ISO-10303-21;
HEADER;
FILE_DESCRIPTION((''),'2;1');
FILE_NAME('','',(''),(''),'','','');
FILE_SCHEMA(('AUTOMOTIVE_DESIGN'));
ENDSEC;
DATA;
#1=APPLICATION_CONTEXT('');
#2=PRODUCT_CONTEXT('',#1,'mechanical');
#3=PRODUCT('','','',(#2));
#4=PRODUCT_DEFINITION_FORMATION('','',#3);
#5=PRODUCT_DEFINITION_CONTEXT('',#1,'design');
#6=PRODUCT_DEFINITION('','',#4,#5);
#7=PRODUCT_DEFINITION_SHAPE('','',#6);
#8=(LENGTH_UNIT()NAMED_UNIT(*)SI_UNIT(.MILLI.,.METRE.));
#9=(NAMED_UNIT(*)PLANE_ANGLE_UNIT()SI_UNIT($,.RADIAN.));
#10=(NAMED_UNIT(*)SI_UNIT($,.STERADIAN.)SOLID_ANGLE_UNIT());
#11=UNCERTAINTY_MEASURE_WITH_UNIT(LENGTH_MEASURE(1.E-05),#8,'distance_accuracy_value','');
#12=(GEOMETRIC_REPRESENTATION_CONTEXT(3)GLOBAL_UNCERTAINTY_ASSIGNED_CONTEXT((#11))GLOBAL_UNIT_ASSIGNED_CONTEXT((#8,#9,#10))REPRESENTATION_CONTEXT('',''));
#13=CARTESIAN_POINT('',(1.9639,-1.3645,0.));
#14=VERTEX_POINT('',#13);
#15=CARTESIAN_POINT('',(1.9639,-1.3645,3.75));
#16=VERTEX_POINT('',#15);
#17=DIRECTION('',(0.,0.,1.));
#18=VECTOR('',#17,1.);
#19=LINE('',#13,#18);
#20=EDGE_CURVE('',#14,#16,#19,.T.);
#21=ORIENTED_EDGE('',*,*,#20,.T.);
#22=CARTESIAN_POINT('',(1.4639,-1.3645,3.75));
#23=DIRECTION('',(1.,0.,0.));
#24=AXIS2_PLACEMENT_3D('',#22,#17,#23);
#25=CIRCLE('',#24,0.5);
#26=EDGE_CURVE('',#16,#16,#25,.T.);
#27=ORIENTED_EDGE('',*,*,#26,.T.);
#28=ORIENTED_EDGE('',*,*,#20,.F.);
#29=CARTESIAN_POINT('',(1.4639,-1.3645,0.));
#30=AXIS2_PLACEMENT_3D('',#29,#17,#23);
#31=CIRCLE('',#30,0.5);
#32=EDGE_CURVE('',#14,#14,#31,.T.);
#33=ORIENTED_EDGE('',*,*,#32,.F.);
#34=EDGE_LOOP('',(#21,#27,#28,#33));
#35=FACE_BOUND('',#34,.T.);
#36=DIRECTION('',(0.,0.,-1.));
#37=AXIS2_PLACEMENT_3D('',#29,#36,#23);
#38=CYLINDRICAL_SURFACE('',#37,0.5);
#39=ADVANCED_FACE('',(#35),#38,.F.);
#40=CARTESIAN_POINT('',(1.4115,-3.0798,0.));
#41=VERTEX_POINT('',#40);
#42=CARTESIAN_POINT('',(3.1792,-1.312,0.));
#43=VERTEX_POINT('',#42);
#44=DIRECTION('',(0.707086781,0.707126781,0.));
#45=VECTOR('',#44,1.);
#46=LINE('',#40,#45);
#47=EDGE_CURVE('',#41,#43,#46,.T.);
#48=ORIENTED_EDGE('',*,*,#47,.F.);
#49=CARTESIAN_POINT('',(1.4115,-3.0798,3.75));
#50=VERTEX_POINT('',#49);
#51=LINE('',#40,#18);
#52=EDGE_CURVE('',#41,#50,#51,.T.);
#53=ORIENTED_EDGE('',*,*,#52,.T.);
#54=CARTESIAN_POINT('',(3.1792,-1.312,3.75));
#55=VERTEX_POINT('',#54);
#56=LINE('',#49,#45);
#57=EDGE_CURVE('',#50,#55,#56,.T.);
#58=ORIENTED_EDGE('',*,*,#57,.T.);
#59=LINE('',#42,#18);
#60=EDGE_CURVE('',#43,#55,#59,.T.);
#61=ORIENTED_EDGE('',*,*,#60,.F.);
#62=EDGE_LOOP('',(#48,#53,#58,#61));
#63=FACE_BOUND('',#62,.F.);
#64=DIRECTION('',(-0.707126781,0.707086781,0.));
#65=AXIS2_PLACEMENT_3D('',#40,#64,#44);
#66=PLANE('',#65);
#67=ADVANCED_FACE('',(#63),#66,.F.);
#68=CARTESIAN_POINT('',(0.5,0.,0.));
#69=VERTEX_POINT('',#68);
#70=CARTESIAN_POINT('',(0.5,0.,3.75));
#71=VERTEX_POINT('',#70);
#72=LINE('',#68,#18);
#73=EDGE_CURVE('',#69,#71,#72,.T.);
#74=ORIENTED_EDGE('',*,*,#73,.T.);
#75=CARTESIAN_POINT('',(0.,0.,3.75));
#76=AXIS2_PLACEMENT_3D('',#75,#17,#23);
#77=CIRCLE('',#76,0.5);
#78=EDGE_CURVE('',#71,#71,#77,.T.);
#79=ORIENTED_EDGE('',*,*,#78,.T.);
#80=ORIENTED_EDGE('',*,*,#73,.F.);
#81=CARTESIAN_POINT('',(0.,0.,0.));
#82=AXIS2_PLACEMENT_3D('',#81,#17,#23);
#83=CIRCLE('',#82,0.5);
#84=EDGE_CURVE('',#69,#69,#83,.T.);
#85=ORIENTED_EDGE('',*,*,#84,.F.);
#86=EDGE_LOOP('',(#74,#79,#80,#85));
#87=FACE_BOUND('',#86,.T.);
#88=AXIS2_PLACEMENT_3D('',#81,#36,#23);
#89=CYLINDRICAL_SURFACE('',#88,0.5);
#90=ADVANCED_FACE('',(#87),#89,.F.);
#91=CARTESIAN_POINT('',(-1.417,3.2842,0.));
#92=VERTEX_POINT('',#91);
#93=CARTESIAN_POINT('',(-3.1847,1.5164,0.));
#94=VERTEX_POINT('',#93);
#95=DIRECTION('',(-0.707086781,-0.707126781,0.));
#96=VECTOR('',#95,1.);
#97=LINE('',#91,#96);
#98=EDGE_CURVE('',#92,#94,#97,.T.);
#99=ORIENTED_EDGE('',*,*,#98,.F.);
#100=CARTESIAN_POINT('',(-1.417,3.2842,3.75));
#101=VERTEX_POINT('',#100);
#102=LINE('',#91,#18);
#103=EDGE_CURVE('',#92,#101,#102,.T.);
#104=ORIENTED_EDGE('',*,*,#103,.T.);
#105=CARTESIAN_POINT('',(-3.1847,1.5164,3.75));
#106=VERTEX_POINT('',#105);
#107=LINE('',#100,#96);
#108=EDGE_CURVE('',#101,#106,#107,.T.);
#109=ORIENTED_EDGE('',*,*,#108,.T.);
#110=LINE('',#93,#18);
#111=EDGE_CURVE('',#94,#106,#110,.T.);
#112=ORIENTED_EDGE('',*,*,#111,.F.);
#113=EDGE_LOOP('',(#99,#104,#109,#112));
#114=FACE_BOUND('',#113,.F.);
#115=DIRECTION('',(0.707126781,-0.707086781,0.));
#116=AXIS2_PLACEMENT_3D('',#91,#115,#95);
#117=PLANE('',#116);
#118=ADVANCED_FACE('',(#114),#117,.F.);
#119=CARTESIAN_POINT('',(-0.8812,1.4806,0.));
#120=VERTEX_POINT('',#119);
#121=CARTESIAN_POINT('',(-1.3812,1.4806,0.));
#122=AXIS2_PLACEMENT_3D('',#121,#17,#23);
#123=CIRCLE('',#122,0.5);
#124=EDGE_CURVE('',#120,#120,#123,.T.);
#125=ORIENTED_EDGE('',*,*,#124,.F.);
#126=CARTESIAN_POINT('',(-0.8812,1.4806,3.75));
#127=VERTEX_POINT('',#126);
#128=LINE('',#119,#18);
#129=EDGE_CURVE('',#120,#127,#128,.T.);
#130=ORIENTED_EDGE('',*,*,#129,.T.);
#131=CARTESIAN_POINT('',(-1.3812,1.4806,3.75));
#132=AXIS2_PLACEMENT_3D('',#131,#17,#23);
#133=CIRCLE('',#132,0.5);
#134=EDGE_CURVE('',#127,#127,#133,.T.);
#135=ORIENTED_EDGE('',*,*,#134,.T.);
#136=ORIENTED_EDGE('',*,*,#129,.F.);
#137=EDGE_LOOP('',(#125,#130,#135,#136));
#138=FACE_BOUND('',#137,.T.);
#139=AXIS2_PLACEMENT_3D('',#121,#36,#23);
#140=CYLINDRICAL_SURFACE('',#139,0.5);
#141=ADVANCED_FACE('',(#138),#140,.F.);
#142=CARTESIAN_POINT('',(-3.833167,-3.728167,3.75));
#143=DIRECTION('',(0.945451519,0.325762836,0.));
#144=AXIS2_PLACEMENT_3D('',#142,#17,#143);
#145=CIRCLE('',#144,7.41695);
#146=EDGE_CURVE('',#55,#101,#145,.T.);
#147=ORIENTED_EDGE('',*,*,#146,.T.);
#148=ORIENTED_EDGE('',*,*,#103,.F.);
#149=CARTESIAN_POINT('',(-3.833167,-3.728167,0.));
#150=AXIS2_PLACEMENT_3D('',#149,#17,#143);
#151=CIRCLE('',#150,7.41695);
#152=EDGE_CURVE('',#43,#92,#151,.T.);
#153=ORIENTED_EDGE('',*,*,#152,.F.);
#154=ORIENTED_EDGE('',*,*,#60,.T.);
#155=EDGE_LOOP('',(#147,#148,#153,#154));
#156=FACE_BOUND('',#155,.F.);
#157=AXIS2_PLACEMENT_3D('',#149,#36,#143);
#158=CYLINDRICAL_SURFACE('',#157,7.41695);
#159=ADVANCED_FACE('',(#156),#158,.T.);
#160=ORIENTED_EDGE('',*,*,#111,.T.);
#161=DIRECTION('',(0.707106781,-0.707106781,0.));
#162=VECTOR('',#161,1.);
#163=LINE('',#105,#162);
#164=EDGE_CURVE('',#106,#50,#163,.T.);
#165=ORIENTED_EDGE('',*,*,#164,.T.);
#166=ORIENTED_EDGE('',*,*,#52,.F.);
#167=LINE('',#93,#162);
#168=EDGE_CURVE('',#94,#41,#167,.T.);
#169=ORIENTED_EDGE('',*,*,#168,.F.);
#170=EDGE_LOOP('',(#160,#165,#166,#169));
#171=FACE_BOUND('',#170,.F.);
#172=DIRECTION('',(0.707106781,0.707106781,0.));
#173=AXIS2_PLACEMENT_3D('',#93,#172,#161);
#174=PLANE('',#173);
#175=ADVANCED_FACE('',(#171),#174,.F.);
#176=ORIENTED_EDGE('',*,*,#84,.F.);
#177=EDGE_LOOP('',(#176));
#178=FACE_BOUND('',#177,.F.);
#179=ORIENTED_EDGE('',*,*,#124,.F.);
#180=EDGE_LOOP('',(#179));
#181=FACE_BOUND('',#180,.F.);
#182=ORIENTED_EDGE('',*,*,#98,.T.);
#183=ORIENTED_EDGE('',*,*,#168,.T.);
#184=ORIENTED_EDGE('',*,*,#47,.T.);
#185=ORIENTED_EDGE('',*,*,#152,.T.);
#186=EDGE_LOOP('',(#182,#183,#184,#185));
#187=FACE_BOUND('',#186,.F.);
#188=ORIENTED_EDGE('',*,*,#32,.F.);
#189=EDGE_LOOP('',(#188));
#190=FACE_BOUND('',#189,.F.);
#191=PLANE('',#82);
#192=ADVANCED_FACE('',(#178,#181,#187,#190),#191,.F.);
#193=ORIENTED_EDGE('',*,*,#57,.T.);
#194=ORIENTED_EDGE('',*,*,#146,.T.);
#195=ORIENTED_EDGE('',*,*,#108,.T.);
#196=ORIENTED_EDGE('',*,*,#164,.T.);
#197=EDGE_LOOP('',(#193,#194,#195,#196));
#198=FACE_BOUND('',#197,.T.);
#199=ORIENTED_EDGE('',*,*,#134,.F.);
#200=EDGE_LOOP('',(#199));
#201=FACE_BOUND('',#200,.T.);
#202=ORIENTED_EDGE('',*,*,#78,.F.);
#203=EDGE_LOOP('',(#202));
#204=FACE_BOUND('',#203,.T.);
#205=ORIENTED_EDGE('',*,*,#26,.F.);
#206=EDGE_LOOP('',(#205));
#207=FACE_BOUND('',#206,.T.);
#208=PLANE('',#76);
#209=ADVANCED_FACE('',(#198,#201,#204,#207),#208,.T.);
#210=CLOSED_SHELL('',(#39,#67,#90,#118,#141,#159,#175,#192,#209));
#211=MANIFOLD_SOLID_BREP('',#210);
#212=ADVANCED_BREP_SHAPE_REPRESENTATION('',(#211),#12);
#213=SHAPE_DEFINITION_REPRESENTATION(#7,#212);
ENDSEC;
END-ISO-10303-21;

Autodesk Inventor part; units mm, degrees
ref_plane "YZ Plane" through (0, 0, 0) normal (1, 0, 0) x (0, 1, 0)
ref_plane "XZ Plane" through (0, 0, 0) normal (0, 1, 0) x (-1, 0, 0)
ref_plane "XY Plane" through (0, 0, 0) normal (0, 0, 1) x (1, 0, 0)
sketch "Sketch1" plane through (0, 0, 0) normal (0, 0, 1) x (1, 0, 0)
  circle A0 centre (0, 0) radius 0.5 projected
  circle A1 centre (1.4639, -1.3645) radius 0.5 projected
  circle A2 centre (-1.3812, 1.4806) radius 0.5 projected
  circle A3 centre (4.5267, -2.6595) radius 0.5 projected
  circle A4 centre (6.5905, -2.6595) radius 0.5 projected
  circle A5 centre (8.6472, -2.6595) radius 0.5 projected
  line L0 (1.4639, -1.3645) -> (-1.3812, 1.4806) construction
  line L1 (-3.1847, 1.5164) -> (1.4115, -3.0798)
  line L2 (1.4115, -3.0798) -> (3.1792, -1.312)
  line L3 (3.1792, -1.312) -> (-1.417, 3.2842) construction
  line L4 (-1.417, 3.2842) -> (-3.1847, 1.5164)
  arc A6 (3.1792, -1.312) -> (-1.417, 3.2842) centre (-3.8329, -3.728) ccw
  point P0 (0, 0)
  dimension "d0" = 2.5
  dimension "d1" = 6.5
extrude "Extrusion1" add sketch "Sketch1" along normal blind 3.75 contours L4 A6 L2 L1
properties part number "encoder_sensor"
